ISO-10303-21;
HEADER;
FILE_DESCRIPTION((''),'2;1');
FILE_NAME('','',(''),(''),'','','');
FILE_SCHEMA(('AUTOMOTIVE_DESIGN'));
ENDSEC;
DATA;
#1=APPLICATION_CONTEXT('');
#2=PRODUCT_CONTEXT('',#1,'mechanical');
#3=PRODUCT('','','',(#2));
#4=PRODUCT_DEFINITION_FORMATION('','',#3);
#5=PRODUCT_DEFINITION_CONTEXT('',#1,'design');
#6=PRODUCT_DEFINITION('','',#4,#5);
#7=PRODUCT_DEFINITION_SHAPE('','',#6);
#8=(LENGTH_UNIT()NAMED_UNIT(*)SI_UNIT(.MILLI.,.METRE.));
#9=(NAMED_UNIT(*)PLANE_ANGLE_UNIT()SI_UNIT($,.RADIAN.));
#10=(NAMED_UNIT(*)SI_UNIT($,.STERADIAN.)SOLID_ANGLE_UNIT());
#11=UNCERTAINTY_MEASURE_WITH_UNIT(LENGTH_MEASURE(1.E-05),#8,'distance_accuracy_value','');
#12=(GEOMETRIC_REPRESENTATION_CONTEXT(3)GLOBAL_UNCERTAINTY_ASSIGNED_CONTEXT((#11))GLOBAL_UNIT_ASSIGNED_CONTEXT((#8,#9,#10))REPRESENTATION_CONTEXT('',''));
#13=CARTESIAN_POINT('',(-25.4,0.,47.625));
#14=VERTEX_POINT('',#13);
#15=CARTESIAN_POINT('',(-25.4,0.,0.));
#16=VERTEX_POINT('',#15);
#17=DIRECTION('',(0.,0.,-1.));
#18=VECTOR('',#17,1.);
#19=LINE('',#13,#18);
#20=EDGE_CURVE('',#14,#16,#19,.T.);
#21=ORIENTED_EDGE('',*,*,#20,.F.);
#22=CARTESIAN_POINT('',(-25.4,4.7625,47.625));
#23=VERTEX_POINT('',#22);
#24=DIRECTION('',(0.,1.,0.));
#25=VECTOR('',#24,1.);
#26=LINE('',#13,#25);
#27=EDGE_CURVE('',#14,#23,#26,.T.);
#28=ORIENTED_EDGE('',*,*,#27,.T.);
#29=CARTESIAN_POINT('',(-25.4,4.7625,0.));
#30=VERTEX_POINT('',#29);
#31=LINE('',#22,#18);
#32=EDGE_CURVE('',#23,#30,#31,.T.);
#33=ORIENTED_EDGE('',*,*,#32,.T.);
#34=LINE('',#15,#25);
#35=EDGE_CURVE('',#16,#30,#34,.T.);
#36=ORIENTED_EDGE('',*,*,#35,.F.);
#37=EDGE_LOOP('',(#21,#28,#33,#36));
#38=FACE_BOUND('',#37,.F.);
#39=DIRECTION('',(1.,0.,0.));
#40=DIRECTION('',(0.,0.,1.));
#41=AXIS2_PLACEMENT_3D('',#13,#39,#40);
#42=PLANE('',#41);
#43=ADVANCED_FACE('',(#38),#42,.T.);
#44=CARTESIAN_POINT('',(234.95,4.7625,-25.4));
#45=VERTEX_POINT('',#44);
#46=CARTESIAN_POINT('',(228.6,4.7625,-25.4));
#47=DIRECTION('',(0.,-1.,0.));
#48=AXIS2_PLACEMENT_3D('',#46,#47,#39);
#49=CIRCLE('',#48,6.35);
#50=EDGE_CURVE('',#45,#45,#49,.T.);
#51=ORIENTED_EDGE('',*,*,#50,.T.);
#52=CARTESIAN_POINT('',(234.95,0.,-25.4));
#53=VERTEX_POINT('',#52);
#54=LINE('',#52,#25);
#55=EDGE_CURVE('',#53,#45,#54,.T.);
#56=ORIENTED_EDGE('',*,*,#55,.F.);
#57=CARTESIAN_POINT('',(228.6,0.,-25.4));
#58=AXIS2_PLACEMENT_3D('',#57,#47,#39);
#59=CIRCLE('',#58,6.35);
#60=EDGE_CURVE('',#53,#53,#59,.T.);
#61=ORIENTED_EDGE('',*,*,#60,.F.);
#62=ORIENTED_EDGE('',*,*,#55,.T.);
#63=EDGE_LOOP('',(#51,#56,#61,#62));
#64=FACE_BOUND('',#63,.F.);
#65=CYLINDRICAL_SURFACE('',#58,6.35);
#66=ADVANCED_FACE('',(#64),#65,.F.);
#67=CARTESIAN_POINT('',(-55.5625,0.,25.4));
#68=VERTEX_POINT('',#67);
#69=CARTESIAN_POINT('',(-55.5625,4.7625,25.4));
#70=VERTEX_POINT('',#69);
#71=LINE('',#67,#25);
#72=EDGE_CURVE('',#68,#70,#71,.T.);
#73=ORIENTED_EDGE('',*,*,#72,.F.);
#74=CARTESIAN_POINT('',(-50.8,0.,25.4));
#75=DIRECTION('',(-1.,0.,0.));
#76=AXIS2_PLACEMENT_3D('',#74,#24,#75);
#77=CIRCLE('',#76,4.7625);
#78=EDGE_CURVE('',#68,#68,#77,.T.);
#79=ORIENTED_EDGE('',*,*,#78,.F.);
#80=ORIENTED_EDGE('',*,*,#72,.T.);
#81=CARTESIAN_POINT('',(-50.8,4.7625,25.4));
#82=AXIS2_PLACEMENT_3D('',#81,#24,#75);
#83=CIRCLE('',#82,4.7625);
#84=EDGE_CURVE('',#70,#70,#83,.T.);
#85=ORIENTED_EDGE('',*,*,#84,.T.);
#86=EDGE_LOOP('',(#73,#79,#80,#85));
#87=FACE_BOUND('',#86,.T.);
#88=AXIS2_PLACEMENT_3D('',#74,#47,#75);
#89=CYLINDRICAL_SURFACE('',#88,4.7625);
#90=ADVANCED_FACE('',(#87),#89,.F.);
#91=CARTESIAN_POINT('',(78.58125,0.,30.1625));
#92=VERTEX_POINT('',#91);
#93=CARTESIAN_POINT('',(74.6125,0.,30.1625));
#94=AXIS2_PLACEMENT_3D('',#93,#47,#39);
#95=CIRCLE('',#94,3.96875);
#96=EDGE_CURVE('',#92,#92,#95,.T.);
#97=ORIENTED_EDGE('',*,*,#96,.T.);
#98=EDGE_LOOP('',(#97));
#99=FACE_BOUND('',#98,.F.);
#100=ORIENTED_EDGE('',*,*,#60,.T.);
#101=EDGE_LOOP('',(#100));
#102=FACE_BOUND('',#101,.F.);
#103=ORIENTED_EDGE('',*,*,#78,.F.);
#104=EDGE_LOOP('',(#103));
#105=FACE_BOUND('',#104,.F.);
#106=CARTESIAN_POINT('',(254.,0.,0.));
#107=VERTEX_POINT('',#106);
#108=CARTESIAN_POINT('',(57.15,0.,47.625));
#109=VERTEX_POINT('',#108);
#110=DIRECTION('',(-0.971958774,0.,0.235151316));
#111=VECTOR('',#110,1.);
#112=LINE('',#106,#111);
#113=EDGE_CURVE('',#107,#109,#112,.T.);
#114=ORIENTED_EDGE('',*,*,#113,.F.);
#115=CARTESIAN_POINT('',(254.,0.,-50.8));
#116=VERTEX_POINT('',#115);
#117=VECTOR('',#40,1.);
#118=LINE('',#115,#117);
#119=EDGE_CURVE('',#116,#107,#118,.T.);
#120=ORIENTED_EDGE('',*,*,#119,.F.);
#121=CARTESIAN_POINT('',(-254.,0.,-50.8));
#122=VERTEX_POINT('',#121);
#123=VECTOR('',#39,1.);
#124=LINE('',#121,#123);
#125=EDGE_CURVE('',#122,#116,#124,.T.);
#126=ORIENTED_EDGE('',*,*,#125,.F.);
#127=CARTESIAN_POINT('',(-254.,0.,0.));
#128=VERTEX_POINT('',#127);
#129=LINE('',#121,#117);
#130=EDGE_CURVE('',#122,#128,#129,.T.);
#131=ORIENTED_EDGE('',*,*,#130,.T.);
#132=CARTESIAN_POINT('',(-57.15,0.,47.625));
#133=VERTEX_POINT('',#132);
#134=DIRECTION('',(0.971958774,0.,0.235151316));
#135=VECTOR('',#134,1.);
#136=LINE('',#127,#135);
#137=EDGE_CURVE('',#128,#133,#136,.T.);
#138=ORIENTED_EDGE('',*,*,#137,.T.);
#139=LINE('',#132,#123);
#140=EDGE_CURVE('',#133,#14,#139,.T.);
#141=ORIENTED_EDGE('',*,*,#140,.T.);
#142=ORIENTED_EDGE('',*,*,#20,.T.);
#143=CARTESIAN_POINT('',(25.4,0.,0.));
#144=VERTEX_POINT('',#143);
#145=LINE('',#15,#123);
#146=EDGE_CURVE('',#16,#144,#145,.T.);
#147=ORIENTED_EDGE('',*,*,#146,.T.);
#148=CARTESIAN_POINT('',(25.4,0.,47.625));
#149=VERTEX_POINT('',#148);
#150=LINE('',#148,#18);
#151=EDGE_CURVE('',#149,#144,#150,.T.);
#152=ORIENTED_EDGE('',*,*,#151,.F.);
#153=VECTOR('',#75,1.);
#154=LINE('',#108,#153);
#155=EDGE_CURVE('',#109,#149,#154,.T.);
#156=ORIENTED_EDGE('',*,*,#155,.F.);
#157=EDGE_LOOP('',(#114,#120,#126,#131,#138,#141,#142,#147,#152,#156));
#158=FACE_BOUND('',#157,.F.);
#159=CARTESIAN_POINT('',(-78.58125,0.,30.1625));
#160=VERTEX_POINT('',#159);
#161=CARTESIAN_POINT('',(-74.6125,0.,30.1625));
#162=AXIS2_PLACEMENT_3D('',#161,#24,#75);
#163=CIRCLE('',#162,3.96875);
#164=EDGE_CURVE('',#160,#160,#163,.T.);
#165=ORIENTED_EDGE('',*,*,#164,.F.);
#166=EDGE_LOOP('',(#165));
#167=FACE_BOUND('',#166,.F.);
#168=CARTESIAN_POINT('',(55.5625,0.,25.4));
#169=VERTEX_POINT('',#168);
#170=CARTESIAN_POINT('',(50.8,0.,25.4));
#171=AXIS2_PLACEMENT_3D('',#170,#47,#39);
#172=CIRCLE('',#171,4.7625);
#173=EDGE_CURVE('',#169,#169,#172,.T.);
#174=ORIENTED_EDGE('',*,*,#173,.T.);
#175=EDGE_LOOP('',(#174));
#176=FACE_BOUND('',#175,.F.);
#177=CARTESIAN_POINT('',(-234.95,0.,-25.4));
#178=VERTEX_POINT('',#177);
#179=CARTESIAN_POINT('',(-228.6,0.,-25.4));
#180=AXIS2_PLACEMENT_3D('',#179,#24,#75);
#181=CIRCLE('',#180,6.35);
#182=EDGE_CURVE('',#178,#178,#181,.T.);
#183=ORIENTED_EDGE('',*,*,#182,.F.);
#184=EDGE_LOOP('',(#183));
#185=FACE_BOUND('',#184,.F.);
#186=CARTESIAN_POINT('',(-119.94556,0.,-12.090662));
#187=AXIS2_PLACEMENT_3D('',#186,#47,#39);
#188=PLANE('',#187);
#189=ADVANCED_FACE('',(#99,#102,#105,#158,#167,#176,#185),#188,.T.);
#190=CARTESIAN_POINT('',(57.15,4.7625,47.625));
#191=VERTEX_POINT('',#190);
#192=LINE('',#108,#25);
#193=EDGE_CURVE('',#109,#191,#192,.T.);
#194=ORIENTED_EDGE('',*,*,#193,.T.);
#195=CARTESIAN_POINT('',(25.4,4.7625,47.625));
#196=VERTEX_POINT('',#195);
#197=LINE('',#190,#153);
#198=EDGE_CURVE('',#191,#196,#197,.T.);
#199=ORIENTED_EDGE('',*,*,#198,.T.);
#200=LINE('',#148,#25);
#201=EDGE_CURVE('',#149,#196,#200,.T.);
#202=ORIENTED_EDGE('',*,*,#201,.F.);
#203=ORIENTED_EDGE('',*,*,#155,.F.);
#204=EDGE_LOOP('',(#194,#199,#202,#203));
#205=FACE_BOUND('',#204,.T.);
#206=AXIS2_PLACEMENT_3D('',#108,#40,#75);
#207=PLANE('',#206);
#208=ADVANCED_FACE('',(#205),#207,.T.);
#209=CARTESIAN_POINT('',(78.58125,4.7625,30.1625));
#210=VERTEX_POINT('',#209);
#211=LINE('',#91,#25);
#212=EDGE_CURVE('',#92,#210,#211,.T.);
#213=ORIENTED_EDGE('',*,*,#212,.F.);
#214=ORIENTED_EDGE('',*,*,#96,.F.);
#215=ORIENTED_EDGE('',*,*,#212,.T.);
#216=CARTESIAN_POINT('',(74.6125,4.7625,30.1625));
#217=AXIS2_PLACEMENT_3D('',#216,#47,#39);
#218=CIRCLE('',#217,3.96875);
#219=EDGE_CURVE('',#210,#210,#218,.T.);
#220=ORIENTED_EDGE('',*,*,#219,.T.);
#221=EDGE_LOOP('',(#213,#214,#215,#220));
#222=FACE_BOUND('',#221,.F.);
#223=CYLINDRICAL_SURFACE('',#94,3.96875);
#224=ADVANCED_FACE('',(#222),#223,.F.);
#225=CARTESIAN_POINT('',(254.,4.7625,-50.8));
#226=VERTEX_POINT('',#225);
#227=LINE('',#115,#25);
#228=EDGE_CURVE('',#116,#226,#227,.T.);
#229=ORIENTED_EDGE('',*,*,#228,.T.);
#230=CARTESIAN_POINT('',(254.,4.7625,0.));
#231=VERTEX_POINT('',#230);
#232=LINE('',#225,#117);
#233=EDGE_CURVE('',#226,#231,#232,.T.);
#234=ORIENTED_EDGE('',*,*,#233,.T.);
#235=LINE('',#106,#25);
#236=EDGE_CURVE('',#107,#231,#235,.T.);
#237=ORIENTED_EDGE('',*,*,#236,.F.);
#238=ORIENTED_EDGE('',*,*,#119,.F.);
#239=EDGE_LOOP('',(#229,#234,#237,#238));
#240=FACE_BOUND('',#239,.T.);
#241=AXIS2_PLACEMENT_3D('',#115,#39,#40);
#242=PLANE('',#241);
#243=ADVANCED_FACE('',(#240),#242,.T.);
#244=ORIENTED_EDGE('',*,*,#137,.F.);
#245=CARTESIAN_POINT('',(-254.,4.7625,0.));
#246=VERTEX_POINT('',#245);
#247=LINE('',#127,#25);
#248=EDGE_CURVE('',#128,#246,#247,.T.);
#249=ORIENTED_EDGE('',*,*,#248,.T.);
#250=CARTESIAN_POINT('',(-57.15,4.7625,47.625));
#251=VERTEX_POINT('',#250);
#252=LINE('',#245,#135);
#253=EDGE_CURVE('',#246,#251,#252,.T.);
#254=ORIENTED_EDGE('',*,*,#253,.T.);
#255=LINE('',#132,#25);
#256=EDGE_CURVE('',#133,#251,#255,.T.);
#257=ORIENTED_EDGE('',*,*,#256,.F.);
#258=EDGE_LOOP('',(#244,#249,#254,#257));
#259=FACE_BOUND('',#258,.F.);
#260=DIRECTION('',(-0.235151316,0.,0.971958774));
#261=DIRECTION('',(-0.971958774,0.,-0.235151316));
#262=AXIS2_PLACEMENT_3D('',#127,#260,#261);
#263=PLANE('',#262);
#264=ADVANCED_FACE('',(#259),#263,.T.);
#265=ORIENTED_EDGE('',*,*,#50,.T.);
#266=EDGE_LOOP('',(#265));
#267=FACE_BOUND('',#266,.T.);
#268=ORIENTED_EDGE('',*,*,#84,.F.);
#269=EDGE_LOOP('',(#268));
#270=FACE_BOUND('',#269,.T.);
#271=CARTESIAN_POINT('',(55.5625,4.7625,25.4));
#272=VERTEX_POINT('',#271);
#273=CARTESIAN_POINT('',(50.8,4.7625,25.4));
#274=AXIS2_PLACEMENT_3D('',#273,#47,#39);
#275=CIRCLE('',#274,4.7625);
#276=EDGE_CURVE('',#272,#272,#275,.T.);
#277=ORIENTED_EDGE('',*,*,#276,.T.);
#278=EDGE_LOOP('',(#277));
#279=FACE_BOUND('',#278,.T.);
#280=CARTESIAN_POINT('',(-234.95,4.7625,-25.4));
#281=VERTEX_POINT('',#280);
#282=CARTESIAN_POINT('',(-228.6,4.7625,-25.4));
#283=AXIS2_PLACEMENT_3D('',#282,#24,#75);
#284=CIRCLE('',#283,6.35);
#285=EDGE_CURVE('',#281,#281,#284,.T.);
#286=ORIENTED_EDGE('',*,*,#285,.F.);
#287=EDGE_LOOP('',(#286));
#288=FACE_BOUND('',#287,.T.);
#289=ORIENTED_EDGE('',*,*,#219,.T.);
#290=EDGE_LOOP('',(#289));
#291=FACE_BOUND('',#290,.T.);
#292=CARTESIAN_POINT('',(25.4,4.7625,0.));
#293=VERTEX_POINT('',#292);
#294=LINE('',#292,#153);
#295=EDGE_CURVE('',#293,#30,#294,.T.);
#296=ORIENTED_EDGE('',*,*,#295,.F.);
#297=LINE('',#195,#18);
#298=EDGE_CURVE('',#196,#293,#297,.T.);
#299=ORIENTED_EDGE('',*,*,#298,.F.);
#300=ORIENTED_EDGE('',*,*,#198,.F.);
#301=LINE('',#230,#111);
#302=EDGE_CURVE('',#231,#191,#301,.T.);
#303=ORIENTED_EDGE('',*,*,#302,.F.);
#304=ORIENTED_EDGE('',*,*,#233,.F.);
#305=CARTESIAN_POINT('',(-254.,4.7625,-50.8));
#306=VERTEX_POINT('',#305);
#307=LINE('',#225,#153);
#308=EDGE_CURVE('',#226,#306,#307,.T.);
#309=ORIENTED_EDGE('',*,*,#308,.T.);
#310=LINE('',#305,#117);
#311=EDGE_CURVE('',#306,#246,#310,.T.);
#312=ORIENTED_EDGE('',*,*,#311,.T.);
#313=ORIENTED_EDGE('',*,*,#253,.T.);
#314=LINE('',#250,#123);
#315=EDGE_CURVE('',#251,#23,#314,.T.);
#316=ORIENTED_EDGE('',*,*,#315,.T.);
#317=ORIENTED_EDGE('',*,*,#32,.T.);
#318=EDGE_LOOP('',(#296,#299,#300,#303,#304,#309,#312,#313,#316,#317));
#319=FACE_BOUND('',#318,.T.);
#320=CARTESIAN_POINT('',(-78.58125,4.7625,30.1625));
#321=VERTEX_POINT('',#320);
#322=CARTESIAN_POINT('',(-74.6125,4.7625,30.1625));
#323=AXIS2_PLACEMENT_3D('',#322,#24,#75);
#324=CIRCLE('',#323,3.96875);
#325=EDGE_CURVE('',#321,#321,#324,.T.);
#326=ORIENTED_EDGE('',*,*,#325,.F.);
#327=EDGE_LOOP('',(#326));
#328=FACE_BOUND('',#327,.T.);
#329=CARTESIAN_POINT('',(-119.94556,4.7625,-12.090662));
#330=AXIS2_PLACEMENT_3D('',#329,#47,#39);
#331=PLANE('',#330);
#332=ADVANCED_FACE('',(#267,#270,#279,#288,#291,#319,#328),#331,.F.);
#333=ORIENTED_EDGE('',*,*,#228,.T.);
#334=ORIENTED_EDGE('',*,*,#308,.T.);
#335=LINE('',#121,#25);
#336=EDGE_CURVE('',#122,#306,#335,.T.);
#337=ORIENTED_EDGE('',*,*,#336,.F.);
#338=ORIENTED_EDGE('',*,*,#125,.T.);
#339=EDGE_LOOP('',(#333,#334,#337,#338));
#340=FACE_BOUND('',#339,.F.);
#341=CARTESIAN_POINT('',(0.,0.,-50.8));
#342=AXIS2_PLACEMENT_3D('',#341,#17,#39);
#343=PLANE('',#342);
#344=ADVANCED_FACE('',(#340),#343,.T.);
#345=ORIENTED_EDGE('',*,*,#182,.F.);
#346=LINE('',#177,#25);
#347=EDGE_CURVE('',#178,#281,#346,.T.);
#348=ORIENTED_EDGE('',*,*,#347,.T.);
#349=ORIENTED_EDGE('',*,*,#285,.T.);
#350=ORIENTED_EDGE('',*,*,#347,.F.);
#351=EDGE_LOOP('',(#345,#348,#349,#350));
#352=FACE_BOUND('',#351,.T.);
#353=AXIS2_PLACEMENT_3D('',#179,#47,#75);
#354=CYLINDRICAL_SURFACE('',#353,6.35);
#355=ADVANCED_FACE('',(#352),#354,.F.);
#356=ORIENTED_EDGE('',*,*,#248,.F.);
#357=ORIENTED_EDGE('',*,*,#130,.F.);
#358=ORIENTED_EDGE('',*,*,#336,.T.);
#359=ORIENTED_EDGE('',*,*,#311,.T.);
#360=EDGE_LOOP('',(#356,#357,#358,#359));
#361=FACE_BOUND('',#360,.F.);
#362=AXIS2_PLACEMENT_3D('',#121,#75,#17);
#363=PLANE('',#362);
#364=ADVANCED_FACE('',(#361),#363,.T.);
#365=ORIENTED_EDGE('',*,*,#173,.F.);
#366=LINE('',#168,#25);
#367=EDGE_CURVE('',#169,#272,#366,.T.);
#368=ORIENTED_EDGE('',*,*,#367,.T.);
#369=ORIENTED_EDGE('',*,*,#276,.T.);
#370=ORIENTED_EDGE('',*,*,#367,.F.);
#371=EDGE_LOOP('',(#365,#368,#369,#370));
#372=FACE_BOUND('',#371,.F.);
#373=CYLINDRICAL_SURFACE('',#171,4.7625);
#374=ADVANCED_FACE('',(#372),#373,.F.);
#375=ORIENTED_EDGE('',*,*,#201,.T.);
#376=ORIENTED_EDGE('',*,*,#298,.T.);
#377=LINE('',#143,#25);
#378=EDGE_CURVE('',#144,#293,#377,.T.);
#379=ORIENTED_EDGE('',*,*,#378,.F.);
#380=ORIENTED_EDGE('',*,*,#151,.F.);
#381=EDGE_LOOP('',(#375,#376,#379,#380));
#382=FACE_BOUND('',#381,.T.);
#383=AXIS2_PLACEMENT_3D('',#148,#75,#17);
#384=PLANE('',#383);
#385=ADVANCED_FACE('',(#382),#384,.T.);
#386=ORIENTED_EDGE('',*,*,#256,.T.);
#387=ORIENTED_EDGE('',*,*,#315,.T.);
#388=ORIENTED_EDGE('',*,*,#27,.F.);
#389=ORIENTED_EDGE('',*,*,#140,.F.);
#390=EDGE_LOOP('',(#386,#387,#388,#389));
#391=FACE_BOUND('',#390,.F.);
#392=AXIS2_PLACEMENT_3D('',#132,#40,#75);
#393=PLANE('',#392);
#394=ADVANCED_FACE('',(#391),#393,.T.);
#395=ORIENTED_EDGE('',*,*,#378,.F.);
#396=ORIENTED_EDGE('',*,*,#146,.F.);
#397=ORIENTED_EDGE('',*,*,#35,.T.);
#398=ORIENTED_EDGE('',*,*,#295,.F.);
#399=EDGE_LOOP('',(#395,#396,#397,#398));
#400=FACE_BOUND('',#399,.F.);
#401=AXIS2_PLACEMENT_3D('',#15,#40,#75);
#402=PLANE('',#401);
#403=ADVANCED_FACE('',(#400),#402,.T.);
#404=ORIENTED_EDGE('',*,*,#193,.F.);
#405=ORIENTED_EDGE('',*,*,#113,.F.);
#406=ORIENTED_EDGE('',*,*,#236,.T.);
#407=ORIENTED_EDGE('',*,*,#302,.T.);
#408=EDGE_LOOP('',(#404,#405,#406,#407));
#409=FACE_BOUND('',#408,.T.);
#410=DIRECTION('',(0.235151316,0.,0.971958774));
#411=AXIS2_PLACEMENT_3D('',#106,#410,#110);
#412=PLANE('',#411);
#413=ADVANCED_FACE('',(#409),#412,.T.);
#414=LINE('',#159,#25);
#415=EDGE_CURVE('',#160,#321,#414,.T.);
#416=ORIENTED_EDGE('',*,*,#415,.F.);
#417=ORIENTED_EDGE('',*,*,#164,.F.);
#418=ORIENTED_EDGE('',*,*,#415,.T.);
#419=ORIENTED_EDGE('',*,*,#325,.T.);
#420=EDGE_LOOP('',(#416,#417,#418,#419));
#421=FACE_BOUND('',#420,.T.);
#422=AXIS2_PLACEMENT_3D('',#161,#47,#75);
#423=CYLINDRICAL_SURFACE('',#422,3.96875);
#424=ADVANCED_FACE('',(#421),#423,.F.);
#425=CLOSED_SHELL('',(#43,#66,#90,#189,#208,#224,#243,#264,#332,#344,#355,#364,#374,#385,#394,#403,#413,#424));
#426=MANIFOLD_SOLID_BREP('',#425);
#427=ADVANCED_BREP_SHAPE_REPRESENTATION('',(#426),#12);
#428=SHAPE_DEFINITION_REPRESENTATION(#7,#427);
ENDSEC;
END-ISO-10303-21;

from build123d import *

# Parameters (mm, degrees)
F1_DEPTH = 4.7625
F2_R     = 6.35
F2_R_2   = 3.96875
F2_R_3   = 4.7625
F3_DEPTH = 4.7635


with BuildPart() as f1:
    # F0 (on Front) → F1 (new body)
    with BuildSketch(Plane.XZ):
        Polygon((25.4, 0), (0, 0), (0, -50.8), (254, -50.8), (254, 0), (57.15, 47.625), (25.4, 47.625), align=None)
    extrude(amount=-F1_DEPTH)

    # F2 (on Front) → F3 (cut, through all)
    with BuildSketch(Plane.XZ):
        with Locations((228.6, -25.4)):
            Circle(F2_R)
        with Locations((74.6125, 30.1625)):
            Circle(F2_R_2)
        with Locations((50.8, 25.4)):
            Circle(F2_R_3)
    extrude(amount=-F3_DEPTH, mode=Mode.SUBTRACT)

    # F4: F1 across plane


with BuildPart() as f1_1:
    add(f1.part)
    add(f1.part.mirror(Plane.YZ))


solid = f1_1.part
